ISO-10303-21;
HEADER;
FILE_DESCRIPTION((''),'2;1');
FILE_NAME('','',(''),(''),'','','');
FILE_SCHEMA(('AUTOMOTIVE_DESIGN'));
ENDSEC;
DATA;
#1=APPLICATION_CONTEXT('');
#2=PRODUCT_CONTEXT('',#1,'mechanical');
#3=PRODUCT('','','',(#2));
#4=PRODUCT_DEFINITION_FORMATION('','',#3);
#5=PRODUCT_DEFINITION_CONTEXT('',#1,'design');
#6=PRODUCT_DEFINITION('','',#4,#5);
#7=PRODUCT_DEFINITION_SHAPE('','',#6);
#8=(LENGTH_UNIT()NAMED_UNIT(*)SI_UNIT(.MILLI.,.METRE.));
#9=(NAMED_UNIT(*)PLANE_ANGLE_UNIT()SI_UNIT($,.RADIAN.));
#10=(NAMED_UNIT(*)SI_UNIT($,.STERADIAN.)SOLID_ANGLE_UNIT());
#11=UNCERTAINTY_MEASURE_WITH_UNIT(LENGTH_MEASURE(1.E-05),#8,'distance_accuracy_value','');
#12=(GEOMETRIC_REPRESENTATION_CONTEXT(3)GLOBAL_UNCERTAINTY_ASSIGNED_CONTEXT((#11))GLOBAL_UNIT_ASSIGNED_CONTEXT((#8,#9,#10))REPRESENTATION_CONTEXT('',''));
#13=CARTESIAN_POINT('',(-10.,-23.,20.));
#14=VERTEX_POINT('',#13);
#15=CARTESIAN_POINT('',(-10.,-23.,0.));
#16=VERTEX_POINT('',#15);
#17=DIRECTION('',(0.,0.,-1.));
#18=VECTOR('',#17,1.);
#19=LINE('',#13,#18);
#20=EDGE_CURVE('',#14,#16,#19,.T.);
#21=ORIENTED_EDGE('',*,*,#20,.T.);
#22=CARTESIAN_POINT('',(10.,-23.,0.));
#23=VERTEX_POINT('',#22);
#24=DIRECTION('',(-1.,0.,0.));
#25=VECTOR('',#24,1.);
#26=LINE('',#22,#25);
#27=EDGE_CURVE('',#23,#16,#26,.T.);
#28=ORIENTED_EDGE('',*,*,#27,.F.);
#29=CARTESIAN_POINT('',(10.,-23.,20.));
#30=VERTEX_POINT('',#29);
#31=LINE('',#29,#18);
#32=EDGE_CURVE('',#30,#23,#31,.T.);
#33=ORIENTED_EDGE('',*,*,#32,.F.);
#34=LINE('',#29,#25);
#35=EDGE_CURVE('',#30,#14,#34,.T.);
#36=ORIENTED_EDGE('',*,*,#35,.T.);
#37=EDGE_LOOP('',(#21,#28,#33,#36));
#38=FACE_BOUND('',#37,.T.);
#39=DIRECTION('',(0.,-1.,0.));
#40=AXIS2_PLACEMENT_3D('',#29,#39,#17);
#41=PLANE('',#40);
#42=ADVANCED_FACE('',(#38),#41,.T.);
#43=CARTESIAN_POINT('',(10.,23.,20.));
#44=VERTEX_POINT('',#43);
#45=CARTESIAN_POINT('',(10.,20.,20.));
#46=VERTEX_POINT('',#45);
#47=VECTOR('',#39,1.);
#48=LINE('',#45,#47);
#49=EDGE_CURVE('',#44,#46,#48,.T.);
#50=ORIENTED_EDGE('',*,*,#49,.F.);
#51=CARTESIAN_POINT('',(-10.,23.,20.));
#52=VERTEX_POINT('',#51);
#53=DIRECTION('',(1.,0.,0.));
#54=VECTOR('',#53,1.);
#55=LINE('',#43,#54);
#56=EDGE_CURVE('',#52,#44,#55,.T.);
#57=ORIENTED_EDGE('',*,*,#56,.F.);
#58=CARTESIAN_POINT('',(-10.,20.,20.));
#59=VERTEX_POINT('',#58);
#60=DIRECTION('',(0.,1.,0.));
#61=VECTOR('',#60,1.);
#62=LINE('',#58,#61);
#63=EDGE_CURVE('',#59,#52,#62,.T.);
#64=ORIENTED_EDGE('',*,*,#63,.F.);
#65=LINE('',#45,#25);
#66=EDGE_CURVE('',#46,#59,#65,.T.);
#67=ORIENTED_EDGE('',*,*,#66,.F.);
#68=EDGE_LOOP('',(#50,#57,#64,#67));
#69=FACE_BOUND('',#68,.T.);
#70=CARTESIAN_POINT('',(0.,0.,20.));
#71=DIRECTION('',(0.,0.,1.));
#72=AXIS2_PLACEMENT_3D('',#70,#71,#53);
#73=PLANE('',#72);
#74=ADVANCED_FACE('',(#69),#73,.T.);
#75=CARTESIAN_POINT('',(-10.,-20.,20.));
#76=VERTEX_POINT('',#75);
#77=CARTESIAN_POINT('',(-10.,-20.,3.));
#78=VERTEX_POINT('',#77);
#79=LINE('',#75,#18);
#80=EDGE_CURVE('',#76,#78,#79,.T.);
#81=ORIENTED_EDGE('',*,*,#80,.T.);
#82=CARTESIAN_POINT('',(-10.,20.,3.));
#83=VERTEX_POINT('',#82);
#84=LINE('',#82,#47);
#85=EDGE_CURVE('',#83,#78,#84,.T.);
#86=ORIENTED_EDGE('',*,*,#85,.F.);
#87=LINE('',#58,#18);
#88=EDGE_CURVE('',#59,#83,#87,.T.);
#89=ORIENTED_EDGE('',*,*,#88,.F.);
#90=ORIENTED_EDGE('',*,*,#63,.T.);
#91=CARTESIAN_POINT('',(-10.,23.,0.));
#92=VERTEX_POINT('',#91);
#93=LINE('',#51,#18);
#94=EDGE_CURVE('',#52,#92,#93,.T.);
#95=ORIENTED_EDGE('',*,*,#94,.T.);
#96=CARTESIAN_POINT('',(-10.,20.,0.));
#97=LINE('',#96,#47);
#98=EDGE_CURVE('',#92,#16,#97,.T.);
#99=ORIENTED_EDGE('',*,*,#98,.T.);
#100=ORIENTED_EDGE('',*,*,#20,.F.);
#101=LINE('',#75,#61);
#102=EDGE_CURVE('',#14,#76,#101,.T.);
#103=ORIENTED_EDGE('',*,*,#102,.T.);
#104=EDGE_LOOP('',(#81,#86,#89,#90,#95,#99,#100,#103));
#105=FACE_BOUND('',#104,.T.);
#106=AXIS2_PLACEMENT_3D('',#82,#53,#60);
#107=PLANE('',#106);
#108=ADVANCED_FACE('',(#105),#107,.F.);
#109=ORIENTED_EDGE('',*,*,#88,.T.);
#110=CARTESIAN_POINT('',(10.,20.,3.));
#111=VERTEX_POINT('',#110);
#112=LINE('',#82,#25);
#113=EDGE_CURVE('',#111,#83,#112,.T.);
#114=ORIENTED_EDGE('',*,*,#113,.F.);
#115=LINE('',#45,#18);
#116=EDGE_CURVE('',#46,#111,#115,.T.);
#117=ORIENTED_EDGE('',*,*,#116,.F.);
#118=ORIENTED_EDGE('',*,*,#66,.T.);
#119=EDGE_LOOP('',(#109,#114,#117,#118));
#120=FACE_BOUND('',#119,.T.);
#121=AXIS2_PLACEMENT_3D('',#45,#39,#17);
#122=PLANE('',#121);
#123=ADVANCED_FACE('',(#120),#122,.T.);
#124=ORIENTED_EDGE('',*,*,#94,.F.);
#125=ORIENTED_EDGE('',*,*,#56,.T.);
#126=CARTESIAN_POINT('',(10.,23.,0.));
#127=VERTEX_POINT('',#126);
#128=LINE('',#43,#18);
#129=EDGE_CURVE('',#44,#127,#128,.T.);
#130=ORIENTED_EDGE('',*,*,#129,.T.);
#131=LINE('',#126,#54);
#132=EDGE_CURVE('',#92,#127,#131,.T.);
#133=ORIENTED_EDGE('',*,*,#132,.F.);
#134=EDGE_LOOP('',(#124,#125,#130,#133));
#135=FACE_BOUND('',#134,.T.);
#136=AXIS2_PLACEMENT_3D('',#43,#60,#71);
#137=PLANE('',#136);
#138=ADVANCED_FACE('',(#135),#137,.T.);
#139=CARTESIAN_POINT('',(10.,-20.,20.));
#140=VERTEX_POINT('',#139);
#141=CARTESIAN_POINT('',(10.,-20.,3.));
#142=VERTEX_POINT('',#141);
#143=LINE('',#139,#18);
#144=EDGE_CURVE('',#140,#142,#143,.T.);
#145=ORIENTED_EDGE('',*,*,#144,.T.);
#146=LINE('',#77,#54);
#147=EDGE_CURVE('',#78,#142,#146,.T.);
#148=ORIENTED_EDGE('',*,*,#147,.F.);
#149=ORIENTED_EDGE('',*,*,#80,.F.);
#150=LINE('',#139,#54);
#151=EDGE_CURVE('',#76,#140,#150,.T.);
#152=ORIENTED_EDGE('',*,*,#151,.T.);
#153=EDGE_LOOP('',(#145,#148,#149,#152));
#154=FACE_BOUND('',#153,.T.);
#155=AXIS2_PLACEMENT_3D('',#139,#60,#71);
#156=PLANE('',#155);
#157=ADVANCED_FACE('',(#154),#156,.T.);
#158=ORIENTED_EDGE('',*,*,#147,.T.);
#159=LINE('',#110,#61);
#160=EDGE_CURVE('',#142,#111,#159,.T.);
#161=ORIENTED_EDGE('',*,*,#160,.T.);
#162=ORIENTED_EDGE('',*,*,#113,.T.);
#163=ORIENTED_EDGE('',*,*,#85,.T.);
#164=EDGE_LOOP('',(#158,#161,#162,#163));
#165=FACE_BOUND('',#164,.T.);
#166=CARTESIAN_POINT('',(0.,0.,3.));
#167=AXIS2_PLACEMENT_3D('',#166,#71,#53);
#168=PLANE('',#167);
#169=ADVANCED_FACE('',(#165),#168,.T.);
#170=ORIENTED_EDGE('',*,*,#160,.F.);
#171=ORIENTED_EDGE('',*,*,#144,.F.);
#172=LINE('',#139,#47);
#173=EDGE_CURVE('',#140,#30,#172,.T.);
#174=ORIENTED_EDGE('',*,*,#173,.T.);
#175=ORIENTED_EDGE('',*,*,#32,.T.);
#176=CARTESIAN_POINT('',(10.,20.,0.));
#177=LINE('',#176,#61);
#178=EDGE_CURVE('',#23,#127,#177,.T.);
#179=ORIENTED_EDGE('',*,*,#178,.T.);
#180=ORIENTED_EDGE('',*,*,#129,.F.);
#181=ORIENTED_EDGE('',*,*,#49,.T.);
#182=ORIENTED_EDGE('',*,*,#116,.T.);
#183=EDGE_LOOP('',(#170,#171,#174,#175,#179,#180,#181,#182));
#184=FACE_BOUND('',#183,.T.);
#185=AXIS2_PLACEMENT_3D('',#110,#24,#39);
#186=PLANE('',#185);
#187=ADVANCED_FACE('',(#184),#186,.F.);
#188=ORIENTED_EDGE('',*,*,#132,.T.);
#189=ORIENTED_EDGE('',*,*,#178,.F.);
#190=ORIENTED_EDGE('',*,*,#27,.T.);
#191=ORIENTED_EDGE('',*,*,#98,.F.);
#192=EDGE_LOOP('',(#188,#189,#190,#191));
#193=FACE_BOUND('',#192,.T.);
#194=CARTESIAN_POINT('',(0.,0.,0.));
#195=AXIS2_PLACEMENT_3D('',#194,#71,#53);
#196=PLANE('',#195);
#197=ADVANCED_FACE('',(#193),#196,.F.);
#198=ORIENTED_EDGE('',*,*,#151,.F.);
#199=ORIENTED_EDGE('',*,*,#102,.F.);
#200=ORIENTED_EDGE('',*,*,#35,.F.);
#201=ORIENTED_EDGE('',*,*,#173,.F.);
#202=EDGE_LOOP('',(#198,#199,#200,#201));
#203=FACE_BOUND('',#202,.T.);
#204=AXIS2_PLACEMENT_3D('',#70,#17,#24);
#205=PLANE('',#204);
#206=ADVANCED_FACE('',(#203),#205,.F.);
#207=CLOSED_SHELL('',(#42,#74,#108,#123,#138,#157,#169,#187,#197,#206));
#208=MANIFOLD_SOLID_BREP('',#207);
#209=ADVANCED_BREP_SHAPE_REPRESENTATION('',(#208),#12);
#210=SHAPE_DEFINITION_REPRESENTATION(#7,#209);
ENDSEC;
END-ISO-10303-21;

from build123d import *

# Parameters (mm, degrees)
SKETCH_1_W      = 20
SKETCH_1_H      = 40
EXTRUDE_1_DEPTH = 3
SKETCH_4_W      = 20
SKETCH_4_H      = 3
EXTRUDE_5_DEPTH = 20


with BuildPart() as part:
    # 草图1 → 凸台-拉伸1 (new body)
    with BuildSketch(Plane.XY):
        Rectangle(SKETCH_1_W, SKETCH_1_H)
    extrude(amount=EXTRUDE_1_DEPTH)

    # 草图4 → 凸台-拉伸5 (add)
    with BuildSketch(Plane(origin=(0, 0, 0), x_dir=(-1, 0, 0), z_dir=(0, 0, -1))):
        with Locations((0, 21.5)):
            Rectangle(SKETCH_4_W, SKETCH_4_H)
        with Locations((0, -21.5)):
            Rectangle(SKETCH_4_W, SKETCH_4_H)
    extrude(amount=-EXTRUDE_5_DEPTH)


solid = part.part
